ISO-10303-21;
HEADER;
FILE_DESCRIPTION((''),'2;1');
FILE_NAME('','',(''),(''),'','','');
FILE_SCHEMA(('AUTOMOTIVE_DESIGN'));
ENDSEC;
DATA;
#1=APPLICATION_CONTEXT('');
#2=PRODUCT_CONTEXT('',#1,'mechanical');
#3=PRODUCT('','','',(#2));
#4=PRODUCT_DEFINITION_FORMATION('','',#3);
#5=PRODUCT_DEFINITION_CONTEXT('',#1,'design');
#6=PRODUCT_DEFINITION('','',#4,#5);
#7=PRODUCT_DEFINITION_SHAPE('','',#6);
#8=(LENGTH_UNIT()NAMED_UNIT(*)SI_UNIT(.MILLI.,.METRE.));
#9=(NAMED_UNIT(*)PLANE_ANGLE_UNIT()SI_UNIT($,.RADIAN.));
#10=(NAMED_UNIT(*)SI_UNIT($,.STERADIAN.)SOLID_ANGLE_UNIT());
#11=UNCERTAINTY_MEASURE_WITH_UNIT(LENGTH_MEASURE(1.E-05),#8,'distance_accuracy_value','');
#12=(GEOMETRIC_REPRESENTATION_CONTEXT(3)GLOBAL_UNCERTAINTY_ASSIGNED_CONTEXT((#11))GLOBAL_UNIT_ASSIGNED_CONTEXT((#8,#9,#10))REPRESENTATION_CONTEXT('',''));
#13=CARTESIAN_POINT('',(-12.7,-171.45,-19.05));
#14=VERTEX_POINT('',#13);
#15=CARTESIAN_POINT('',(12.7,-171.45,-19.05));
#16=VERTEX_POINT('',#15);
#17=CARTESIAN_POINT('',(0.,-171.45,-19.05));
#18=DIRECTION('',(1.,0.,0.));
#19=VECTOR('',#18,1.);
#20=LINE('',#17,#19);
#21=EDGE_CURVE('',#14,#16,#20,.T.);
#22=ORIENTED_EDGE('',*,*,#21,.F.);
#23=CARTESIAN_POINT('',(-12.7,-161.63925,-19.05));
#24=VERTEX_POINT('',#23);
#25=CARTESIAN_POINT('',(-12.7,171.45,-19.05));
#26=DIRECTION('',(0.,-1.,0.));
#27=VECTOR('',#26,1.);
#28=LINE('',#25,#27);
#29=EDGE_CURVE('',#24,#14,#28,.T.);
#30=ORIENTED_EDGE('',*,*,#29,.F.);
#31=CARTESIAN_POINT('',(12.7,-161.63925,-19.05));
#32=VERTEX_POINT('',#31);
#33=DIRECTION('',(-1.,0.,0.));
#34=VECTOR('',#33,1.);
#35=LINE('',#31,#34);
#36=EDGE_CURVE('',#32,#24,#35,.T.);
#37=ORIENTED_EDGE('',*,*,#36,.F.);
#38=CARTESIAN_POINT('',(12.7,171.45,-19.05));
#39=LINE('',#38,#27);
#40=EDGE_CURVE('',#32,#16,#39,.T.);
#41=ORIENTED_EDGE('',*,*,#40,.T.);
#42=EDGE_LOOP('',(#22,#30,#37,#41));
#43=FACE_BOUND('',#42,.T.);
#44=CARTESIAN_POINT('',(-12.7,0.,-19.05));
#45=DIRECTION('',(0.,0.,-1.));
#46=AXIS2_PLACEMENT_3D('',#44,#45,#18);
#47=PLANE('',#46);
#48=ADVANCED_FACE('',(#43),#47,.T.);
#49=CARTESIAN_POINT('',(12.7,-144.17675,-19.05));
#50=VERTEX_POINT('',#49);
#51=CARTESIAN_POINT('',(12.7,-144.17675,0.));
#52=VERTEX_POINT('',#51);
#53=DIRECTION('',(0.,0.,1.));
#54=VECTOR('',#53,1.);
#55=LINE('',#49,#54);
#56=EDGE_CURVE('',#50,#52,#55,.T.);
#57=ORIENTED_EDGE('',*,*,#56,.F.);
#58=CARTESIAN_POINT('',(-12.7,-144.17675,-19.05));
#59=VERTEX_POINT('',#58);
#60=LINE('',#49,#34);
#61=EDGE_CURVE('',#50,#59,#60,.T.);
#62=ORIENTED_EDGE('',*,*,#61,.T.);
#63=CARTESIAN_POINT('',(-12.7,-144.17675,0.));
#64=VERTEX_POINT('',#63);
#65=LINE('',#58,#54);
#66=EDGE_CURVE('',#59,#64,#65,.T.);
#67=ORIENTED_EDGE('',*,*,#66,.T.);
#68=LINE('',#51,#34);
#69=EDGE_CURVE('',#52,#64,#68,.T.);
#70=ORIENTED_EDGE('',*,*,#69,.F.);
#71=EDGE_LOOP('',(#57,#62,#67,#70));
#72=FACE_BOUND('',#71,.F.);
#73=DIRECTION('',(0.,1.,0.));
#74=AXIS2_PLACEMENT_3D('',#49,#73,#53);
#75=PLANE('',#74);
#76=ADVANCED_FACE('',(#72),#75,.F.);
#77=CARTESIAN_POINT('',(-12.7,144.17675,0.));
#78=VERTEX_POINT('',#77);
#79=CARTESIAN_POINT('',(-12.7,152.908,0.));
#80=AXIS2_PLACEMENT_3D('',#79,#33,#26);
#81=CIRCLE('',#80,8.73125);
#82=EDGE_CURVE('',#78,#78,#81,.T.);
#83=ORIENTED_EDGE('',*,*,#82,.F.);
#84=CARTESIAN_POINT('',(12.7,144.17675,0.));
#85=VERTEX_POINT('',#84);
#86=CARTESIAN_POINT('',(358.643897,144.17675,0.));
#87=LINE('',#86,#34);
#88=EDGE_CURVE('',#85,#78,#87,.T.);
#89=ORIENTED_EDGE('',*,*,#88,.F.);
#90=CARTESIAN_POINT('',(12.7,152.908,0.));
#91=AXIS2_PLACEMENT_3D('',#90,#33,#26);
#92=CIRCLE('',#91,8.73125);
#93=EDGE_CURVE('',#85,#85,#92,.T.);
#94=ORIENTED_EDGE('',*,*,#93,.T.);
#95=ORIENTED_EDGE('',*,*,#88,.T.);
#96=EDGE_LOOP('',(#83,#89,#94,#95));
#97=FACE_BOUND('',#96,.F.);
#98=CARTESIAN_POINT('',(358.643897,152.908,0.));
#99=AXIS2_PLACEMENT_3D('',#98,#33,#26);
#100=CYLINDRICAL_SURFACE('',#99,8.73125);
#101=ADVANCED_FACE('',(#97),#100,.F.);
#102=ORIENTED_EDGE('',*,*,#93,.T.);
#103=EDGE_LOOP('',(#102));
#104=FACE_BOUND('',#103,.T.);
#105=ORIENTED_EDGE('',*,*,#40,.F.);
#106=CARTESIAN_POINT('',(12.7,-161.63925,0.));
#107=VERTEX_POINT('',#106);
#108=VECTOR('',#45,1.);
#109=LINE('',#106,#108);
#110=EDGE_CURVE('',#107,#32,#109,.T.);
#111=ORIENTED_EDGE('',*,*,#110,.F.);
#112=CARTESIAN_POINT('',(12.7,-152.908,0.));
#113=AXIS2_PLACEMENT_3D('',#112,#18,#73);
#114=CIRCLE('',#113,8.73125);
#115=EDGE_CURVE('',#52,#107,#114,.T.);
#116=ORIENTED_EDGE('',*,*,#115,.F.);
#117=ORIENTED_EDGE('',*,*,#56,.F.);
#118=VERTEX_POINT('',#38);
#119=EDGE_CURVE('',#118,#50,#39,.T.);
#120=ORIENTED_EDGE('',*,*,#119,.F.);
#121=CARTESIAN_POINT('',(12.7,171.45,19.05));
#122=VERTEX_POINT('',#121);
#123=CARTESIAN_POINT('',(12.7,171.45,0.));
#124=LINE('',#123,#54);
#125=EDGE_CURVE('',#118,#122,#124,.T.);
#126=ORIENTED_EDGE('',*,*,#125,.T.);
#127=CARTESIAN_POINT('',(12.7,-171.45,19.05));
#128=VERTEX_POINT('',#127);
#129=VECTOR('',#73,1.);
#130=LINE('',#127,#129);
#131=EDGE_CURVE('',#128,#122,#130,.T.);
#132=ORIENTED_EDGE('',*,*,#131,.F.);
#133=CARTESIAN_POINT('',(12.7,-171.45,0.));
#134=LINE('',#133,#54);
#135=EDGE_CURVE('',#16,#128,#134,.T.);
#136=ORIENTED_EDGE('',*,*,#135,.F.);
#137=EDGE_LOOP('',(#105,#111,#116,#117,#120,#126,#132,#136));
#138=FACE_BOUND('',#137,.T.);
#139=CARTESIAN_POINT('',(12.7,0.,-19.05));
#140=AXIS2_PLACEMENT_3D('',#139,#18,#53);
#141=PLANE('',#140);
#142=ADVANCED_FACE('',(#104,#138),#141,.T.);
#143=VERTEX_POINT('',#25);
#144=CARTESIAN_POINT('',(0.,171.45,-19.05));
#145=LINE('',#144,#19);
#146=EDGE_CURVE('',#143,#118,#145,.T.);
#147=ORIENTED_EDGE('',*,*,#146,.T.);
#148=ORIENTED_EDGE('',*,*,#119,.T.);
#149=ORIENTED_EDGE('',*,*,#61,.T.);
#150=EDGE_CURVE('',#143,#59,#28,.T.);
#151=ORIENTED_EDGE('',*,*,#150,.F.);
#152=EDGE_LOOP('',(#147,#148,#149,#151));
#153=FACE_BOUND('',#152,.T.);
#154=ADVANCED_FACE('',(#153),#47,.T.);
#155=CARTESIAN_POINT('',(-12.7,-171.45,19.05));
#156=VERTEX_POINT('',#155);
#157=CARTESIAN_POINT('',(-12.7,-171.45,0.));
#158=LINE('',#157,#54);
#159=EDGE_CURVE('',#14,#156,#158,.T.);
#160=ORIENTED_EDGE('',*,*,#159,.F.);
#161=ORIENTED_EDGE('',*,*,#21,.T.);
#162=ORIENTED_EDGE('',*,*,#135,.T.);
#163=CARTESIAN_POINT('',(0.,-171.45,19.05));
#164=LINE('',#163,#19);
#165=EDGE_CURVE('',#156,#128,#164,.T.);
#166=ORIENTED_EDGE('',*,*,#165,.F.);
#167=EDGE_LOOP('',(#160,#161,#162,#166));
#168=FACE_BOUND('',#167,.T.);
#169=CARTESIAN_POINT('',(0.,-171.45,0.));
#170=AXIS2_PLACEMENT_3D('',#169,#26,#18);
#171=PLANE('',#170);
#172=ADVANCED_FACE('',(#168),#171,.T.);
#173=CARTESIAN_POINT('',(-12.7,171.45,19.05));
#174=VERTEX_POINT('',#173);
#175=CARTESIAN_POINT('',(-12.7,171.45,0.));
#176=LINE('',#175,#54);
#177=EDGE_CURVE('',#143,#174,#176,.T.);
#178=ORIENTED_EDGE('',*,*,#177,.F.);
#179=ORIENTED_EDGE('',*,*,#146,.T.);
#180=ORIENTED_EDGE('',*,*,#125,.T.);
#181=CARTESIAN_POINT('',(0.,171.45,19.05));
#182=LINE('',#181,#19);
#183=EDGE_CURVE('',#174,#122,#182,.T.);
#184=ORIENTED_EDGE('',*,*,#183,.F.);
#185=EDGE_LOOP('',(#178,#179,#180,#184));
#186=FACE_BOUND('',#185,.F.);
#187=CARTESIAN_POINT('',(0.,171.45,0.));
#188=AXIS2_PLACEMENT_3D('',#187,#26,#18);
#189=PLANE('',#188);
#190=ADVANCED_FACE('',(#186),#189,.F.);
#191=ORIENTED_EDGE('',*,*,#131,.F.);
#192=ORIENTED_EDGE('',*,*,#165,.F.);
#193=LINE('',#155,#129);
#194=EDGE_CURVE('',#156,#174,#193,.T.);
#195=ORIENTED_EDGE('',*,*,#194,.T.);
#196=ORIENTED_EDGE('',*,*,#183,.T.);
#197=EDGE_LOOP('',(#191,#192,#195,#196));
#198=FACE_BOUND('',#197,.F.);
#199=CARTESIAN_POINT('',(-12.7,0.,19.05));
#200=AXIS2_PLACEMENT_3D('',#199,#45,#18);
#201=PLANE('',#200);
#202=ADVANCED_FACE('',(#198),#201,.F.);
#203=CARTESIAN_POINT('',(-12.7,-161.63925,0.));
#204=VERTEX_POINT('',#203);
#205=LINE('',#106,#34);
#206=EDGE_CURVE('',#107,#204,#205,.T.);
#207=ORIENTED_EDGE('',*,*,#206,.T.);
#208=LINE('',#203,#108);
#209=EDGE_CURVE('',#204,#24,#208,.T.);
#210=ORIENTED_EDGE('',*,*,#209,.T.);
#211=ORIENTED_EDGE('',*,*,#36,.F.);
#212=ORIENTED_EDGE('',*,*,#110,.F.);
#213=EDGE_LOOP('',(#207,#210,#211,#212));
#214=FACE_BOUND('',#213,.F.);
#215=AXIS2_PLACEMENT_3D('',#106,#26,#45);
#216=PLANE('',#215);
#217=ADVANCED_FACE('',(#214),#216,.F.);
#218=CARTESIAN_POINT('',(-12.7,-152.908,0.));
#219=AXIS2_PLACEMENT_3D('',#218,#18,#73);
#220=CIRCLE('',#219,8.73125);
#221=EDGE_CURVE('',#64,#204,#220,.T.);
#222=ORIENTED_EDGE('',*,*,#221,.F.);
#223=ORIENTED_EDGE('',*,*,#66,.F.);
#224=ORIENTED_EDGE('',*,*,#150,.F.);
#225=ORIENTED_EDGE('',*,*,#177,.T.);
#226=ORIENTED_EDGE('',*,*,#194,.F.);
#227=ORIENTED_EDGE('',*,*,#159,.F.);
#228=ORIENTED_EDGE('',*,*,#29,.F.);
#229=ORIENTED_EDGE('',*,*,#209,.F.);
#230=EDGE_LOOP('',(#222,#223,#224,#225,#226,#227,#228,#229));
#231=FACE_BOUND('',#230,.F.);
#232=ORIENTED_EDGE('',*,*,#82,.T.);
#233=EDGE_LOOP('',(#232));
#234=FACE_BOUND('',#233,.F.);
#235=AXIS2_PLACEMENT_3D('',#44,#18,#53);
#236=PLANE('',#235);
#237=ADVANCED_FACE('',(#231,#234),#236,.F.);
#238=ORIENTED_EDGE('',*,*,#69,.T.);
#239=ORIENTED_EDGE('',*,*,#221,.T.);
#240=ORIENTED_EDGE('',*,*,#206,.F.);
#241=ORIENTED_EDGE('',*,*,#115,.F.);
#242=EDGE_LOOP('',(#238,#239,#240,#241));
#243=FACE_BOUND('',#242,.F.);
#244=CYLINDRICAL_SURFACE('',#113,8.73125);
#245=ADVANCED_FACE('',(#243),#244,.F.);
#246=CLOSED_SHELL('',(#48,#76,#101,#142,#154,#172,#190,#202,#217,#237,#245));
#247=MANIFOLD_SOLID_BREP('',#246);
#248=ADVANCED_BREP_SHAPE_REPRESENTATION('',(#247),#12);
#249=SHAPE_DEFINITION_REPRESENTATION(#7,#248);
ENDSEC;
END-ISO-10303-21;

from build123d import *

# Parameters (mm, degrees)
F0_W          = 25.4
F0_H          = 38.1
F1_DEPTH      = 171.45
F1_DEPTH_BACK = 171.45
F3_D          = 17.4625
F5_DEPTH      = 25.4


with BuildPart() as f1:
    # F0 (on Front) → F1 (new body, two sides)
    with BuildSketch(Plane.XZ) as f1_sk:
        Rectangle(F0_W, F0_H)
    extrude(amount=F1_DEPTH)
    extrude(f1_sk.sketch, amount=-F1_DEPTH_BACK)

    # F3 (through all)
    with Locations(Plane.YZ.offset(12.7)):
        with Locations((152.908, 0)):
            Hole(F3_D / 2)

    # F4 (on face) → F5 (cut)
    with BuildSketch(Plane.YZ.offset(12.7)):
        with BuildLine():
            Line((-144.17675, -19.05), (-144.17675, 0))
            ThreePointArc((-144.17675, 0), (-152.908, 8.73125), (-161.63925, 0))
            Line((-161.63925, 0), (-161.63925, -19.05))
            Line((-161.63925, -19.05), (-144.17675, -19.05))
        make_face()
    extrude(amount=-F5_DEPTH, mode=Mode.SUBTRACT)


solid = f1.part
